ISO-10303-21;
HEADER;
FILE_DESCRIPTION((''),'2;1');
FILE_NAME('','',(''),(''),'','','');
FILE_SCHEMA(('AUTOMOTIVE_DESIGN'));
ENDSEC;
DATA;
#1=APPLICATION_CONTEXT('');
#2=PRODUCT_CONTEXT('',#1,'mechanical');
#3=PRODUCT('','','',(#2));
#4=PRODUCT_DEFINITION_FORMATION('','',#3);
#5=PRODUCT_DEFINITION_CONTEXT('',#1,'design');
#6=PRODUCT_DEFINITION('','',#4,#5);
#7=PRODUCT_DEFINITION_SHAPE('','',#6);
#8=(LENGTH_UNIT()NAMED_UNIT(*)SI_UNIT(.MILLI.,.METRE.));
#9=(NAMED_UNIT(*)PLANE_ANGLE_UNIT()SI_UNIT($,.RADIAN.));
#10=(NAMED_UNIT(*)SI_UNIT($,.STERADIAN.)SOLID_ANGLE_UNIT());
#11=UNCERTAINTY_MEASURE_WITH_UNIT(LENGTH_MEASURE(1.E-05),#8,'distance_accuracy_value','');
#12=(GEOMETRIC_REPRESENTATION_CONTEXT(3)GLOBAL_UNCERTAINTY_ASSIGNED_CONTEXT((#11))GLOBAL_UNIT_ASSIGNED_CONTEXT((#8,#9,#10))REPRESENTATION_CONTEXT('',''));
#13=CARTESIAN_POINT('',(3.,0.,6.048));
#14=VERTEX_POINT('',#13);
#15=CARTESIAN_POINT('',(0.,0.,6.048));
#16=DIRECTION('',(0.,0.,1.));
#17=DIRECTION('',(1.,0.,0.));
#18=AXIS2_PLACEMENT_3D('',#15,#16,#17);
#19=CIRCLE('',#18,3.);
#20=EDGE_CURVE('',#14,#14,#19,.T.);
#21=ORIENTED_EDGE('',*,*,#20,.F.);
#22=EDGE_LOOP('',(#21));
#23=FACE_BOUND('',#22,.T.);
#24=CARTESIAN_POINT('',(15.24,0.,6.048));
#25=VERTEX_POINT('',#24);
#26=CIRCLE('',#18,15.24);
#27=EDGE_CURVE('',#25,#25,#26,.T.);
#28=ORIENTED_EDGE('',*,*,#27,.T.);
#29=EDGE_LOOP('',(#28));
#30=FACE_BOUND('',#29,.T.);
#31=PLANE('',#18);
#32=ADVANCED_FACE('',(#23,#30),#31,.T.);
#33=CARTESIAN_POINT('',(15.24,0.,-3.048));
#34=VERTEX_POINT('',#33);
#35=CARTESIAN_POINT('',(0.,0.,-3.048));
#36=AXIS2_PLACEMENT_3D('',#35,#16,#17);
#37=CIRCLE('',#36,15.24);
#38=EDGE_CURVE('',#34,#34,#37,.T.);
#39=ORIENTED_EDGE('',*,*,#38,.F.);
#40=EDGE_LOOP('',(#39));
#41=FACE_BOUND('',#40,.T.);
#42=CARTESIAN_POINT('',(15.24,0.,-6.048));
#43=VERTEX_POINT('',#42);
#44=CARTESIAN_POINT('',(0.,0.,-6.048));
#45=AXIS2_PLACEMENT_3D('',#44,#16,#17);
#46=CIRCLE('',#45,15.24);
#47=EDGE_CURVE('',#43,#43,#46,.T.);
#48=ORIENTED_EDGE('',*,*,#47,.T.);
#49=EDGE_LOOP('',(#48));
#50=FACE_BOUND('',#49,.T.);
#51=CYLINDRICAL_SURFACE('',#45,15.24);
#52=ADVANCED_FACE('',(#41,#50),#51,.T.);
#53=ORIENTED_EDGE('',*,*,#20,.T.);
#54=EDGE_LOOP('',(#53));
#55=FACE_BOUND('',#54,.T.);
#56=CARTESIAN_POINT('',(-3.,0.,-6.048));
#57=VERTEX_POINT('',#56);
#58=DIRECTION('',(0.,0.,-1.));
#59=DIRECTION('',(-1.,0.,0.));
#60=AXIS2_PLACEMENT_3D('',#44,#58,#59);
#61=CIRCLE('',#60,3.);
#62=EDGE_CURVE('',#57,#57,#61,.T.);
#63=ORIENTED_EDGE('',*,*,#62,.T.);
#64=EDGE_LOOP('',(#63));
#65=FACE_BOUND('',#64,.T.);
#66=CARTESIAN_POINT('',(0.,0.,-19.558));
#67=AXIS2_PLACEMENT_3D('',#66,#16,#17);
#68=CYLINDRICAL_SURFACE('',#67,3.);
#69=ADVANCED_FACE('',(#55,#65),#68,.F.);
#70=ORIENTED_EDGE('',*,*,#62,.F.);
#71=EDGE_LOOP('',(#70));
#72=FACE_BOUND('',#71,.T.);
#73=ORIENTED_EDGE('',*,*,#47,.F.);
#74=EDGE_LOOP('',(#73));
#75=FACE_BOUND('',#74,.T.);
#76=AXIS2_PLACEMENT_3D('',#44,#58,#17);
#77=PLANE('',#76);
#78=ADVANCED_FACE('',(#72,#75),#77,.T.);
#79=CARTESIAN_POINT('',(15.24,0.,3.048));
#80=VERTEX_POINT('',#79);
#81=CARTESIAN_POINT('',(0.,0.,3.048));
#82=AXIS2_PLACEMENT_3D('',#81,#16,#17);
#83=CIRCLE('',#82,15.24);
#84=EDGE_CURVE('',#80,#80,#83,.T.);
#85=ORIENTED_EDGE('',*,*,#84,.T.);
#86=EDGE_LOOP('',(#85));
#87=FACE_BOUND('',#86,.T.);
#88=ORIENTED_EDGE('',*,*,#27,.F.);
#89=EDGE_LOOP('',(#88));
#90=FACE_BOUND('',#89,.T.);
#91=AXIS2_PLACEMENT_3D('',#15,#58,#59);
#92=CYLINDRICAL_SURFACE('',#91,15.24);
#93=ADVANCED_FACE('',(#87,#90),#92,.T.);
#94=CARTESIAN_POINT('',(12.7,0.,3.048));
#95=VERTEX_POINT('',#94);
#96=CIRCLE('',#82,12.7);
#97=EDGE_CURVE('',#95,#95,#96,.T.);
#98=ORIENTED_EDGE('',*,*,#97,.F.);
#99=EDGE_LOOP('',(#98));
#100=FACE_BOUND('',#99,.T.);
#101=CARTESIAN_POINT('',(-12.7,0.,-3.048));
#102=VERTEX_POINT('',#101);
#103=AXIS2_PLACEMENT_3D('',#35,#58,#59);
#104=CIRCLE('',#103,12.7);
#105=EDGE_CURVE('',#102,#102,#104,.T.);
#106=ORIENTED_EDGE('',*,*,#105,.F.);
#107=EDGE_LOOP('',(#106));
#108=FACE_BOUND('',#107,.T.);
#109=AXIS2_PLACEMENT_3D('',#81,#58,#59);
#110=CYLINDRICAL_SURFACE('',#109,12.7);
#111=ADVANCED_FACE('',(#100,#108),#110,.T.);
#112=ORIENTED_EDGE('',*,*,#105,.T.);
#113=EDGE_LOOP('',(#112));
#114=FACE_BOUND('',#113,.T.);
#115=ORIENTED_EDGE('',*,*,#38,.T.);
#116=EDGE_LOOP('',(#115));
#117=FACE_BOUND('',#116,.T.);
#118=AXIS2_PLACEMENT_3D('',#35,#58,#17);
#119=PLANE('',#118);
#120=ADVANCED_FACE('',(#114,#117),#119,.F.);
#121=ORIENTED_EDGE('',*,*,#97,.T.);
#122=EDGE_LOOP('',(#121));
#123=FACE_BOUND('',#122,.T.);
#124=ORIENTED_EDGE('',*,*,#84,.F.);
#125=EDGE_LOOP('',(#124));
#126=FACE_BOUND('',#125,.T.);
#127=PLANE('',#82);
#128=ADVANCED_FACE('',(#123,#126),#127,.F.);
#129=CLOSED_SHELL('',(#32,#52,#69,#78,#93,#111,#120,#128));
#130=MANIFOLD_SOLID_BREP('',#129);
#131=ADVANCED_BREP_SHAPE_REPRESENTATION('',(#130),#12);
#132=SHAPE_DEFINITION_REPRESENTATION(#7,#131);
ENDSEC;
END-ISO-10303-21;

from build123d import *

# Parameters (mm, degrees)
SKETCH1_R           = 12.7
BOSS_EXTRUDE1_DEPTH = 3.048
SKETCH2_R           = 15.24
BOSS_EXTRUDE2_DEPTH = 3
SKETCH3_R           = 3
CUT_EXTRUDE1_DEPTH  = 25.606


with BuildPart() as part:
    # Sketch1 → Boss-Extrude1 (new body, symmetric)
    with BuildSketch(Plane.XY):
        Circle(SKETCH1_R)
    extrude(amount=BOSS_EXTRUDE1_DEPTH, both=True)

    # Sketch2 → Boss-Extrude2 (add)
    with BuildSketch(Plane.XY.offset(3.048)):
        Circle(SKETCH2_R)
    boss_extrude2 = extrude(amount=BOSS_EXTRUDE2_DEPTH)

    # Mirror1: Boss-Extrude2 across plane
    add(boss_extrude2.mirror(Plane.XY))

    # Sketch3 → Cut-Extrude1 (cut)
    with BuildSketch(Plane.XY.offset(6.048)):
        Circle(SKETCH3_R)
    extrude(amount=-CUT_EXTRUDE1_DEPTH, mode=Mode.SUBTRACT)


solid = part.part
